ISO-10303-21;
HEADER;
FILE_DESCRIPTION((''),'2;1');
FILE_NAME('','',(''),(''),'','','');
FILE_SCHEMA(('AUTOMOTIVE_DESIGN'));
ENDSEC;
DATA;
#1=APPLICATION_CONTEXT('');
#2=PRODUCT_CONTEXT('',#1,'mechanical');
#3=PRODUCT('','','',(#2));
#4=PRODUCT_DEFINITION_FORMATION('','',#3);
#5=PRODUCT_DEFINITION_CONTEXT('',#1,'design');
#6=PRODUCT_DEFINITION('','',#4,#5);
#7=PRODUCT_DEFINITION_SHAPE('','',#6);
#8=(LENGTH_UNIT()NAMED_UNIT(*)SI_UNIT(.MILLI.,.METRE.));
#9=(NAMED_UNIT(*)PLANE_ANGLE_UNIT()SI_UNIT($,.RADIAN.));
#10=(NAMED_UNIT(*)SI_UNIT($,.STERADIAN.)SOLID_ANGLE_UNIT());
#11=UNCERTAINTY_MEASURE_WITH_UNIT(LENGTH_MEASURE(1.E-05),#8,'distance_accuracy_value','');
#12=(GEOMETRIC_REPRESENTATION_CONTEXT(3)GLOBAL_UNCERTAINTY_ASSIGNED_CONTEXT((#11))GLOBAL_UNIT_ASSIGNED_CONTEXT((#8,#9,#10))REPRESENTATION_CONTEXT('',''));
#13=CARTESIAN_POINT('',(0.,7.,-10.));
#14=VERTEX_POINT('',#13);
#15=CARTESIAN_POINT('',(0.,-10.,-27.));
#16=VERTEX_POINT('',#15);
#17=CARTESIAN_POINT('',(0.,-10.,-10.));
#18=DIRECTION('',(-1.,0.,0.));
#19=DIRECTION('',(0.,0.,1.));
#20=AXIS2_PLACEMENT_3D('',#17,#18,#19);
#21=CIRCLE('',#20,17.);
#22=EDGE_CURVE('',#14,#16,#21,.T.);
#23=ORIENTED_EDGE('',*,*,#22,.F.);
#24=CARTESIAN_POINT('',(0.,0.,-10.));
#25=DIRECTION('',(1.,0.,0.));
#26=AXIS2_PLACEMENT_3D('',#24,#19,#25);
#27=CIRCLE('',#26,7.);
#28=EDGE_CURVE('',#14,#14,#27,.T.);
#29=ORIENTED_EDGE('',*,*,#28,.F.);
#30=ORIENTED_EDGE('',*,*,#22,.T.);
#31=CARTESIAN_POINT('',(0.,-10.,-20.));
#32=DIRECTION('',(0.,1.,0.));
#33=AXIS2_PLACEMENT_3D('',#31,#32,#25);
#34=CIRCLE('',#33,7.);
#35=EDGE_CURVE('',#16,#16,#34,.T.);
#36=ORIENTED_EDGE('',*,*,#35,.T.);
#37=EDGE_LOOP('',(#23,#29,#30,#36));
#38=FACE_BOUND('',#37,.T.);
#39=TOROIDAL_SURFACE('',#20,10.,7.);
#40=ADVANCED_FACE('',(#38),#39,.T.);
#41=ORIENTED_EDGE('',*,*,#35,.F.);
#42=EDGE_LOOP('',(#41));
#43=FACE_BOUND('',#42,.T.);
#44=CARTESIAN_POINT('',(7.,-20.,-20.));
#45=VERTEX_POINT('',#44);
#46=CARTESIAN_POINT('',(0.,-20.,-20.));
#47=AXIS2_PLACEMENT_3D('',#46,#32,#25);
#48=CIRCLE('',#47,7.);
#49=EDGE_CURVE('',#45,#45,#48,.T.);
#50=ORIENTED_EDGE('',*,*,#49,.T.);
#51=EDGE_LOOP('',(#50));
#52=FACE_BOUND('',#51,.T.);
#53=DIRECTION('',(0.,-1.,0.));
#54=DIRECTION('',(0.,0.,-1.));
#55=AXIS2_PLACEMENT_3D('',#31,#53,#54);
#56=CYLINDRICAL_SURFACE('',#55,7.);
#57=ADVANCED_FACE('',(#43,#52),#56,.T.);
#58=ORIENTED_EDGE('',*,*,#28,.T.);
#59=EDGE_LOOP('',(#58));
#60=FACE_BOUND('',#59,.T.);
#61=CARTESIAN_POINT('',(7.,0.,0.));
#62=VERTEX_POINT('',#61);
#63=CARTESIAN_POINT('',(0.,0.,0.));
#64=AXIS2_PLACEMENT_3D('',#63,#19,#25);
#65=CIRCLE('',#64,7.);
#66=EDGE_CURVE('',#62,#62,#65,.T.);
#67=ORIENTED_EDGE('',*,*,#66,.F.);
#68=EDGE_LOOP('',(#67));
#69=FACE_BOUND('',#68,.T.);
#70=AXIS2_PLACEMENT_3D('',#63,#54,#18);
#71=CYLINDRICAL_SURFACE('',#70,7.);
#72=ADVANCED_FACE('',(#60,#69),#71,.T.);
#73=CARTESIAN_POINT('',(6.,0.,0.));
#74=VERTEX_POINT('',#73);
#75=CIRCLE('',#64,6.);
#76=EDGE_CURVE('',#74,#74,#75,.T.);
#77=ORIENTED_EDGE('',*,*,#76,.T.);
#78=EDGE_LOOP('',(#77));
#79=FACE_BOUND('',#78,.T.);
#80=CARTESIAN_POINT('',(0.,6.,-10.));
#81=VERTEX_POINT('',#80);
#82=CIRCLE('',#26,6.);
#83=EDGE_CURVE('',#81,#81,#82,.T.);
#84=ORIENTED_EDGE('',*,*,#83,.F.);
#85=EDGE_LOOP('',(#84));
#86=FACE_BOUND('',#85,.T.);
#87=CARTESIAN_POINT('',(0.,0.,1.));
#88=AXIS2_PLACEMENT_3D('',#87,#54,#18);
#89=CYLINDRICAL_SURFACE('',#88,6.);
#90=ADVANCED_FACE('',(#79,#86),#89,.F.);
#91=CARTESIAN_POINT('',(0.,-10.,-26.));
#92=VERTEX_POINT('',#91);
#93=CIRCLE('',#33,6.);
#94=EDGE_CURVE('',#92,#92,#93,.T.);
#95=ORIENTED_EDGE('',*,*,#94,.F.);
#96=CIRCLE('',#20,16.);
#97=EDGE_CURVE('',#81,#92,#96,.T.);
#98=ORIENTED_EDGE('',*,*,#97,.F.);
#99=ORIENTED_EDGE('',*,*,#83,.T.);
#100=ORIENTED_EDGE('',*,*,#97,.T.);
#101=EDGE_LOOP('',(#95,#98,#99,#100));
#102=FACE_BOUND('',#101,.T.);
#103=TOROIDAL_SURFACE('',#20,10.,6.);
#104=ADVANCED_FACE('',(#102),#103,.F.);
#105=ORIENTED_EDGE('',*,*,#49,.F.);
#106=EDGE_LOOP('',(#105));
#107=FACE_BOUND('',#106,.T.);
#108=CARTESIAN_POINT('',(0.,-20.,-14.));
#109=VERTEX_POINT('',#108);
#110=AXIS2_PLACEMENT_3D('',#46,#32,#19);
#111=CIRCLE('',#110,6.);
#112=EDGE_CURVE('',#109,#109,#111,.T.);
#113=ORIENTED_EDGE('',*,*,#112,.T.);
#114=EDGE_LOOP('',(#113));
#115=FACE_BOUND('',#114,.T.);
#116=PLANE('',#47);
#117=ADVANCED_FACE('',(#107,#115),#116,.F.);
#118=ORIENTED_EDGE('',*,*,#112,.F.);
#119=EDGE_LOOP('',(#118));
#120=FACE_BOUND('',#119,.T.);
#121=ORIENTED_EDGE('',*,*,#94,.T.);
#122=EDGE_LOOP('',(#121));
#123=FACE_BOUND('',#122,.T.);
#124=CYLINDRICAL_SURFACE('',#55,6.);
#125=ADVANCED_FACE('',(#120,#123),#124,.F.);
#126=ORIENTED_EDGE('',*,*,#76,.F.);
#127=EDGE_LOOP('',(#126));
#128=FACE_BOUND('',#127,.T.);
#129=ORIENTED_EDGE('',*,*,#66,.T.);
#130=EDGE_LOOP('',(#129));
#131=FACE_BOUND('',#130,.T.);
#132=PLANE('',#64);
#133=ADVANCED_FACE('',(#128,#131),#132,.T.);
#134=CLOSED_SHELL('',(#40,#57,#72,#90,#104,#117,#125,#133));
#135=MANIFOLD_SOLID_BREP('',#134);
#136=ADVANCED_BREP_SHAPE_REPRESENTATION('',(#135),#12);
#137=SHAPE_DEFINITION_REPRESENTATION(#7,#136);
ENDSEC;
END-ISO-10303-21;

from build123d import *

# Parameters (mm, degrees)
SKETCH_1_R = 7
SKETCH_3_R = 6


with BuildPart() as part:
    # Sweep 1: sweep along a path in 草图2
    with BuildLine(Plane(origin=(0, 0, 0), x_dir=(0, 0, -1), z_dir=(1, 0, 0))) as sweep_1_path:
        Line((0, 0), (10, 0))
        ThreePointArc((10, 0), (17.071067812, -2.928932188), (20, -10))
        Line((20, -10), (20, -20))
    # 草图1 → Sweep 1 (sweep)
    with BuildSketch(Plane.XY):
        Circle(SKETCH_1_R)
    sweep(path=sweep_1_path.line)

    # Sweep 1 2: sweep along a path in 草图4
    with BuildLine(Plane(origin=(0, 0, 0), x_dir=(0, 0, -1), z_dir=(1, 0, 0))) as sweep_1_2_path:
        Line((0, 0), (10, 0))
        ThreePointArc((10, 0), (17.071067812, -2.928932188), (20, -10))
        Line((20, -10), (20, -20))
    # 草图3 → Sweep 1 2 (sweep, cut)
    with BuildSketch(Plane.XY):
        Circle(SKETCH_3_R)
    sweep(path=sweep_1_2_path.line, mode=Mode.SUBTRACT)


solid = part.part
